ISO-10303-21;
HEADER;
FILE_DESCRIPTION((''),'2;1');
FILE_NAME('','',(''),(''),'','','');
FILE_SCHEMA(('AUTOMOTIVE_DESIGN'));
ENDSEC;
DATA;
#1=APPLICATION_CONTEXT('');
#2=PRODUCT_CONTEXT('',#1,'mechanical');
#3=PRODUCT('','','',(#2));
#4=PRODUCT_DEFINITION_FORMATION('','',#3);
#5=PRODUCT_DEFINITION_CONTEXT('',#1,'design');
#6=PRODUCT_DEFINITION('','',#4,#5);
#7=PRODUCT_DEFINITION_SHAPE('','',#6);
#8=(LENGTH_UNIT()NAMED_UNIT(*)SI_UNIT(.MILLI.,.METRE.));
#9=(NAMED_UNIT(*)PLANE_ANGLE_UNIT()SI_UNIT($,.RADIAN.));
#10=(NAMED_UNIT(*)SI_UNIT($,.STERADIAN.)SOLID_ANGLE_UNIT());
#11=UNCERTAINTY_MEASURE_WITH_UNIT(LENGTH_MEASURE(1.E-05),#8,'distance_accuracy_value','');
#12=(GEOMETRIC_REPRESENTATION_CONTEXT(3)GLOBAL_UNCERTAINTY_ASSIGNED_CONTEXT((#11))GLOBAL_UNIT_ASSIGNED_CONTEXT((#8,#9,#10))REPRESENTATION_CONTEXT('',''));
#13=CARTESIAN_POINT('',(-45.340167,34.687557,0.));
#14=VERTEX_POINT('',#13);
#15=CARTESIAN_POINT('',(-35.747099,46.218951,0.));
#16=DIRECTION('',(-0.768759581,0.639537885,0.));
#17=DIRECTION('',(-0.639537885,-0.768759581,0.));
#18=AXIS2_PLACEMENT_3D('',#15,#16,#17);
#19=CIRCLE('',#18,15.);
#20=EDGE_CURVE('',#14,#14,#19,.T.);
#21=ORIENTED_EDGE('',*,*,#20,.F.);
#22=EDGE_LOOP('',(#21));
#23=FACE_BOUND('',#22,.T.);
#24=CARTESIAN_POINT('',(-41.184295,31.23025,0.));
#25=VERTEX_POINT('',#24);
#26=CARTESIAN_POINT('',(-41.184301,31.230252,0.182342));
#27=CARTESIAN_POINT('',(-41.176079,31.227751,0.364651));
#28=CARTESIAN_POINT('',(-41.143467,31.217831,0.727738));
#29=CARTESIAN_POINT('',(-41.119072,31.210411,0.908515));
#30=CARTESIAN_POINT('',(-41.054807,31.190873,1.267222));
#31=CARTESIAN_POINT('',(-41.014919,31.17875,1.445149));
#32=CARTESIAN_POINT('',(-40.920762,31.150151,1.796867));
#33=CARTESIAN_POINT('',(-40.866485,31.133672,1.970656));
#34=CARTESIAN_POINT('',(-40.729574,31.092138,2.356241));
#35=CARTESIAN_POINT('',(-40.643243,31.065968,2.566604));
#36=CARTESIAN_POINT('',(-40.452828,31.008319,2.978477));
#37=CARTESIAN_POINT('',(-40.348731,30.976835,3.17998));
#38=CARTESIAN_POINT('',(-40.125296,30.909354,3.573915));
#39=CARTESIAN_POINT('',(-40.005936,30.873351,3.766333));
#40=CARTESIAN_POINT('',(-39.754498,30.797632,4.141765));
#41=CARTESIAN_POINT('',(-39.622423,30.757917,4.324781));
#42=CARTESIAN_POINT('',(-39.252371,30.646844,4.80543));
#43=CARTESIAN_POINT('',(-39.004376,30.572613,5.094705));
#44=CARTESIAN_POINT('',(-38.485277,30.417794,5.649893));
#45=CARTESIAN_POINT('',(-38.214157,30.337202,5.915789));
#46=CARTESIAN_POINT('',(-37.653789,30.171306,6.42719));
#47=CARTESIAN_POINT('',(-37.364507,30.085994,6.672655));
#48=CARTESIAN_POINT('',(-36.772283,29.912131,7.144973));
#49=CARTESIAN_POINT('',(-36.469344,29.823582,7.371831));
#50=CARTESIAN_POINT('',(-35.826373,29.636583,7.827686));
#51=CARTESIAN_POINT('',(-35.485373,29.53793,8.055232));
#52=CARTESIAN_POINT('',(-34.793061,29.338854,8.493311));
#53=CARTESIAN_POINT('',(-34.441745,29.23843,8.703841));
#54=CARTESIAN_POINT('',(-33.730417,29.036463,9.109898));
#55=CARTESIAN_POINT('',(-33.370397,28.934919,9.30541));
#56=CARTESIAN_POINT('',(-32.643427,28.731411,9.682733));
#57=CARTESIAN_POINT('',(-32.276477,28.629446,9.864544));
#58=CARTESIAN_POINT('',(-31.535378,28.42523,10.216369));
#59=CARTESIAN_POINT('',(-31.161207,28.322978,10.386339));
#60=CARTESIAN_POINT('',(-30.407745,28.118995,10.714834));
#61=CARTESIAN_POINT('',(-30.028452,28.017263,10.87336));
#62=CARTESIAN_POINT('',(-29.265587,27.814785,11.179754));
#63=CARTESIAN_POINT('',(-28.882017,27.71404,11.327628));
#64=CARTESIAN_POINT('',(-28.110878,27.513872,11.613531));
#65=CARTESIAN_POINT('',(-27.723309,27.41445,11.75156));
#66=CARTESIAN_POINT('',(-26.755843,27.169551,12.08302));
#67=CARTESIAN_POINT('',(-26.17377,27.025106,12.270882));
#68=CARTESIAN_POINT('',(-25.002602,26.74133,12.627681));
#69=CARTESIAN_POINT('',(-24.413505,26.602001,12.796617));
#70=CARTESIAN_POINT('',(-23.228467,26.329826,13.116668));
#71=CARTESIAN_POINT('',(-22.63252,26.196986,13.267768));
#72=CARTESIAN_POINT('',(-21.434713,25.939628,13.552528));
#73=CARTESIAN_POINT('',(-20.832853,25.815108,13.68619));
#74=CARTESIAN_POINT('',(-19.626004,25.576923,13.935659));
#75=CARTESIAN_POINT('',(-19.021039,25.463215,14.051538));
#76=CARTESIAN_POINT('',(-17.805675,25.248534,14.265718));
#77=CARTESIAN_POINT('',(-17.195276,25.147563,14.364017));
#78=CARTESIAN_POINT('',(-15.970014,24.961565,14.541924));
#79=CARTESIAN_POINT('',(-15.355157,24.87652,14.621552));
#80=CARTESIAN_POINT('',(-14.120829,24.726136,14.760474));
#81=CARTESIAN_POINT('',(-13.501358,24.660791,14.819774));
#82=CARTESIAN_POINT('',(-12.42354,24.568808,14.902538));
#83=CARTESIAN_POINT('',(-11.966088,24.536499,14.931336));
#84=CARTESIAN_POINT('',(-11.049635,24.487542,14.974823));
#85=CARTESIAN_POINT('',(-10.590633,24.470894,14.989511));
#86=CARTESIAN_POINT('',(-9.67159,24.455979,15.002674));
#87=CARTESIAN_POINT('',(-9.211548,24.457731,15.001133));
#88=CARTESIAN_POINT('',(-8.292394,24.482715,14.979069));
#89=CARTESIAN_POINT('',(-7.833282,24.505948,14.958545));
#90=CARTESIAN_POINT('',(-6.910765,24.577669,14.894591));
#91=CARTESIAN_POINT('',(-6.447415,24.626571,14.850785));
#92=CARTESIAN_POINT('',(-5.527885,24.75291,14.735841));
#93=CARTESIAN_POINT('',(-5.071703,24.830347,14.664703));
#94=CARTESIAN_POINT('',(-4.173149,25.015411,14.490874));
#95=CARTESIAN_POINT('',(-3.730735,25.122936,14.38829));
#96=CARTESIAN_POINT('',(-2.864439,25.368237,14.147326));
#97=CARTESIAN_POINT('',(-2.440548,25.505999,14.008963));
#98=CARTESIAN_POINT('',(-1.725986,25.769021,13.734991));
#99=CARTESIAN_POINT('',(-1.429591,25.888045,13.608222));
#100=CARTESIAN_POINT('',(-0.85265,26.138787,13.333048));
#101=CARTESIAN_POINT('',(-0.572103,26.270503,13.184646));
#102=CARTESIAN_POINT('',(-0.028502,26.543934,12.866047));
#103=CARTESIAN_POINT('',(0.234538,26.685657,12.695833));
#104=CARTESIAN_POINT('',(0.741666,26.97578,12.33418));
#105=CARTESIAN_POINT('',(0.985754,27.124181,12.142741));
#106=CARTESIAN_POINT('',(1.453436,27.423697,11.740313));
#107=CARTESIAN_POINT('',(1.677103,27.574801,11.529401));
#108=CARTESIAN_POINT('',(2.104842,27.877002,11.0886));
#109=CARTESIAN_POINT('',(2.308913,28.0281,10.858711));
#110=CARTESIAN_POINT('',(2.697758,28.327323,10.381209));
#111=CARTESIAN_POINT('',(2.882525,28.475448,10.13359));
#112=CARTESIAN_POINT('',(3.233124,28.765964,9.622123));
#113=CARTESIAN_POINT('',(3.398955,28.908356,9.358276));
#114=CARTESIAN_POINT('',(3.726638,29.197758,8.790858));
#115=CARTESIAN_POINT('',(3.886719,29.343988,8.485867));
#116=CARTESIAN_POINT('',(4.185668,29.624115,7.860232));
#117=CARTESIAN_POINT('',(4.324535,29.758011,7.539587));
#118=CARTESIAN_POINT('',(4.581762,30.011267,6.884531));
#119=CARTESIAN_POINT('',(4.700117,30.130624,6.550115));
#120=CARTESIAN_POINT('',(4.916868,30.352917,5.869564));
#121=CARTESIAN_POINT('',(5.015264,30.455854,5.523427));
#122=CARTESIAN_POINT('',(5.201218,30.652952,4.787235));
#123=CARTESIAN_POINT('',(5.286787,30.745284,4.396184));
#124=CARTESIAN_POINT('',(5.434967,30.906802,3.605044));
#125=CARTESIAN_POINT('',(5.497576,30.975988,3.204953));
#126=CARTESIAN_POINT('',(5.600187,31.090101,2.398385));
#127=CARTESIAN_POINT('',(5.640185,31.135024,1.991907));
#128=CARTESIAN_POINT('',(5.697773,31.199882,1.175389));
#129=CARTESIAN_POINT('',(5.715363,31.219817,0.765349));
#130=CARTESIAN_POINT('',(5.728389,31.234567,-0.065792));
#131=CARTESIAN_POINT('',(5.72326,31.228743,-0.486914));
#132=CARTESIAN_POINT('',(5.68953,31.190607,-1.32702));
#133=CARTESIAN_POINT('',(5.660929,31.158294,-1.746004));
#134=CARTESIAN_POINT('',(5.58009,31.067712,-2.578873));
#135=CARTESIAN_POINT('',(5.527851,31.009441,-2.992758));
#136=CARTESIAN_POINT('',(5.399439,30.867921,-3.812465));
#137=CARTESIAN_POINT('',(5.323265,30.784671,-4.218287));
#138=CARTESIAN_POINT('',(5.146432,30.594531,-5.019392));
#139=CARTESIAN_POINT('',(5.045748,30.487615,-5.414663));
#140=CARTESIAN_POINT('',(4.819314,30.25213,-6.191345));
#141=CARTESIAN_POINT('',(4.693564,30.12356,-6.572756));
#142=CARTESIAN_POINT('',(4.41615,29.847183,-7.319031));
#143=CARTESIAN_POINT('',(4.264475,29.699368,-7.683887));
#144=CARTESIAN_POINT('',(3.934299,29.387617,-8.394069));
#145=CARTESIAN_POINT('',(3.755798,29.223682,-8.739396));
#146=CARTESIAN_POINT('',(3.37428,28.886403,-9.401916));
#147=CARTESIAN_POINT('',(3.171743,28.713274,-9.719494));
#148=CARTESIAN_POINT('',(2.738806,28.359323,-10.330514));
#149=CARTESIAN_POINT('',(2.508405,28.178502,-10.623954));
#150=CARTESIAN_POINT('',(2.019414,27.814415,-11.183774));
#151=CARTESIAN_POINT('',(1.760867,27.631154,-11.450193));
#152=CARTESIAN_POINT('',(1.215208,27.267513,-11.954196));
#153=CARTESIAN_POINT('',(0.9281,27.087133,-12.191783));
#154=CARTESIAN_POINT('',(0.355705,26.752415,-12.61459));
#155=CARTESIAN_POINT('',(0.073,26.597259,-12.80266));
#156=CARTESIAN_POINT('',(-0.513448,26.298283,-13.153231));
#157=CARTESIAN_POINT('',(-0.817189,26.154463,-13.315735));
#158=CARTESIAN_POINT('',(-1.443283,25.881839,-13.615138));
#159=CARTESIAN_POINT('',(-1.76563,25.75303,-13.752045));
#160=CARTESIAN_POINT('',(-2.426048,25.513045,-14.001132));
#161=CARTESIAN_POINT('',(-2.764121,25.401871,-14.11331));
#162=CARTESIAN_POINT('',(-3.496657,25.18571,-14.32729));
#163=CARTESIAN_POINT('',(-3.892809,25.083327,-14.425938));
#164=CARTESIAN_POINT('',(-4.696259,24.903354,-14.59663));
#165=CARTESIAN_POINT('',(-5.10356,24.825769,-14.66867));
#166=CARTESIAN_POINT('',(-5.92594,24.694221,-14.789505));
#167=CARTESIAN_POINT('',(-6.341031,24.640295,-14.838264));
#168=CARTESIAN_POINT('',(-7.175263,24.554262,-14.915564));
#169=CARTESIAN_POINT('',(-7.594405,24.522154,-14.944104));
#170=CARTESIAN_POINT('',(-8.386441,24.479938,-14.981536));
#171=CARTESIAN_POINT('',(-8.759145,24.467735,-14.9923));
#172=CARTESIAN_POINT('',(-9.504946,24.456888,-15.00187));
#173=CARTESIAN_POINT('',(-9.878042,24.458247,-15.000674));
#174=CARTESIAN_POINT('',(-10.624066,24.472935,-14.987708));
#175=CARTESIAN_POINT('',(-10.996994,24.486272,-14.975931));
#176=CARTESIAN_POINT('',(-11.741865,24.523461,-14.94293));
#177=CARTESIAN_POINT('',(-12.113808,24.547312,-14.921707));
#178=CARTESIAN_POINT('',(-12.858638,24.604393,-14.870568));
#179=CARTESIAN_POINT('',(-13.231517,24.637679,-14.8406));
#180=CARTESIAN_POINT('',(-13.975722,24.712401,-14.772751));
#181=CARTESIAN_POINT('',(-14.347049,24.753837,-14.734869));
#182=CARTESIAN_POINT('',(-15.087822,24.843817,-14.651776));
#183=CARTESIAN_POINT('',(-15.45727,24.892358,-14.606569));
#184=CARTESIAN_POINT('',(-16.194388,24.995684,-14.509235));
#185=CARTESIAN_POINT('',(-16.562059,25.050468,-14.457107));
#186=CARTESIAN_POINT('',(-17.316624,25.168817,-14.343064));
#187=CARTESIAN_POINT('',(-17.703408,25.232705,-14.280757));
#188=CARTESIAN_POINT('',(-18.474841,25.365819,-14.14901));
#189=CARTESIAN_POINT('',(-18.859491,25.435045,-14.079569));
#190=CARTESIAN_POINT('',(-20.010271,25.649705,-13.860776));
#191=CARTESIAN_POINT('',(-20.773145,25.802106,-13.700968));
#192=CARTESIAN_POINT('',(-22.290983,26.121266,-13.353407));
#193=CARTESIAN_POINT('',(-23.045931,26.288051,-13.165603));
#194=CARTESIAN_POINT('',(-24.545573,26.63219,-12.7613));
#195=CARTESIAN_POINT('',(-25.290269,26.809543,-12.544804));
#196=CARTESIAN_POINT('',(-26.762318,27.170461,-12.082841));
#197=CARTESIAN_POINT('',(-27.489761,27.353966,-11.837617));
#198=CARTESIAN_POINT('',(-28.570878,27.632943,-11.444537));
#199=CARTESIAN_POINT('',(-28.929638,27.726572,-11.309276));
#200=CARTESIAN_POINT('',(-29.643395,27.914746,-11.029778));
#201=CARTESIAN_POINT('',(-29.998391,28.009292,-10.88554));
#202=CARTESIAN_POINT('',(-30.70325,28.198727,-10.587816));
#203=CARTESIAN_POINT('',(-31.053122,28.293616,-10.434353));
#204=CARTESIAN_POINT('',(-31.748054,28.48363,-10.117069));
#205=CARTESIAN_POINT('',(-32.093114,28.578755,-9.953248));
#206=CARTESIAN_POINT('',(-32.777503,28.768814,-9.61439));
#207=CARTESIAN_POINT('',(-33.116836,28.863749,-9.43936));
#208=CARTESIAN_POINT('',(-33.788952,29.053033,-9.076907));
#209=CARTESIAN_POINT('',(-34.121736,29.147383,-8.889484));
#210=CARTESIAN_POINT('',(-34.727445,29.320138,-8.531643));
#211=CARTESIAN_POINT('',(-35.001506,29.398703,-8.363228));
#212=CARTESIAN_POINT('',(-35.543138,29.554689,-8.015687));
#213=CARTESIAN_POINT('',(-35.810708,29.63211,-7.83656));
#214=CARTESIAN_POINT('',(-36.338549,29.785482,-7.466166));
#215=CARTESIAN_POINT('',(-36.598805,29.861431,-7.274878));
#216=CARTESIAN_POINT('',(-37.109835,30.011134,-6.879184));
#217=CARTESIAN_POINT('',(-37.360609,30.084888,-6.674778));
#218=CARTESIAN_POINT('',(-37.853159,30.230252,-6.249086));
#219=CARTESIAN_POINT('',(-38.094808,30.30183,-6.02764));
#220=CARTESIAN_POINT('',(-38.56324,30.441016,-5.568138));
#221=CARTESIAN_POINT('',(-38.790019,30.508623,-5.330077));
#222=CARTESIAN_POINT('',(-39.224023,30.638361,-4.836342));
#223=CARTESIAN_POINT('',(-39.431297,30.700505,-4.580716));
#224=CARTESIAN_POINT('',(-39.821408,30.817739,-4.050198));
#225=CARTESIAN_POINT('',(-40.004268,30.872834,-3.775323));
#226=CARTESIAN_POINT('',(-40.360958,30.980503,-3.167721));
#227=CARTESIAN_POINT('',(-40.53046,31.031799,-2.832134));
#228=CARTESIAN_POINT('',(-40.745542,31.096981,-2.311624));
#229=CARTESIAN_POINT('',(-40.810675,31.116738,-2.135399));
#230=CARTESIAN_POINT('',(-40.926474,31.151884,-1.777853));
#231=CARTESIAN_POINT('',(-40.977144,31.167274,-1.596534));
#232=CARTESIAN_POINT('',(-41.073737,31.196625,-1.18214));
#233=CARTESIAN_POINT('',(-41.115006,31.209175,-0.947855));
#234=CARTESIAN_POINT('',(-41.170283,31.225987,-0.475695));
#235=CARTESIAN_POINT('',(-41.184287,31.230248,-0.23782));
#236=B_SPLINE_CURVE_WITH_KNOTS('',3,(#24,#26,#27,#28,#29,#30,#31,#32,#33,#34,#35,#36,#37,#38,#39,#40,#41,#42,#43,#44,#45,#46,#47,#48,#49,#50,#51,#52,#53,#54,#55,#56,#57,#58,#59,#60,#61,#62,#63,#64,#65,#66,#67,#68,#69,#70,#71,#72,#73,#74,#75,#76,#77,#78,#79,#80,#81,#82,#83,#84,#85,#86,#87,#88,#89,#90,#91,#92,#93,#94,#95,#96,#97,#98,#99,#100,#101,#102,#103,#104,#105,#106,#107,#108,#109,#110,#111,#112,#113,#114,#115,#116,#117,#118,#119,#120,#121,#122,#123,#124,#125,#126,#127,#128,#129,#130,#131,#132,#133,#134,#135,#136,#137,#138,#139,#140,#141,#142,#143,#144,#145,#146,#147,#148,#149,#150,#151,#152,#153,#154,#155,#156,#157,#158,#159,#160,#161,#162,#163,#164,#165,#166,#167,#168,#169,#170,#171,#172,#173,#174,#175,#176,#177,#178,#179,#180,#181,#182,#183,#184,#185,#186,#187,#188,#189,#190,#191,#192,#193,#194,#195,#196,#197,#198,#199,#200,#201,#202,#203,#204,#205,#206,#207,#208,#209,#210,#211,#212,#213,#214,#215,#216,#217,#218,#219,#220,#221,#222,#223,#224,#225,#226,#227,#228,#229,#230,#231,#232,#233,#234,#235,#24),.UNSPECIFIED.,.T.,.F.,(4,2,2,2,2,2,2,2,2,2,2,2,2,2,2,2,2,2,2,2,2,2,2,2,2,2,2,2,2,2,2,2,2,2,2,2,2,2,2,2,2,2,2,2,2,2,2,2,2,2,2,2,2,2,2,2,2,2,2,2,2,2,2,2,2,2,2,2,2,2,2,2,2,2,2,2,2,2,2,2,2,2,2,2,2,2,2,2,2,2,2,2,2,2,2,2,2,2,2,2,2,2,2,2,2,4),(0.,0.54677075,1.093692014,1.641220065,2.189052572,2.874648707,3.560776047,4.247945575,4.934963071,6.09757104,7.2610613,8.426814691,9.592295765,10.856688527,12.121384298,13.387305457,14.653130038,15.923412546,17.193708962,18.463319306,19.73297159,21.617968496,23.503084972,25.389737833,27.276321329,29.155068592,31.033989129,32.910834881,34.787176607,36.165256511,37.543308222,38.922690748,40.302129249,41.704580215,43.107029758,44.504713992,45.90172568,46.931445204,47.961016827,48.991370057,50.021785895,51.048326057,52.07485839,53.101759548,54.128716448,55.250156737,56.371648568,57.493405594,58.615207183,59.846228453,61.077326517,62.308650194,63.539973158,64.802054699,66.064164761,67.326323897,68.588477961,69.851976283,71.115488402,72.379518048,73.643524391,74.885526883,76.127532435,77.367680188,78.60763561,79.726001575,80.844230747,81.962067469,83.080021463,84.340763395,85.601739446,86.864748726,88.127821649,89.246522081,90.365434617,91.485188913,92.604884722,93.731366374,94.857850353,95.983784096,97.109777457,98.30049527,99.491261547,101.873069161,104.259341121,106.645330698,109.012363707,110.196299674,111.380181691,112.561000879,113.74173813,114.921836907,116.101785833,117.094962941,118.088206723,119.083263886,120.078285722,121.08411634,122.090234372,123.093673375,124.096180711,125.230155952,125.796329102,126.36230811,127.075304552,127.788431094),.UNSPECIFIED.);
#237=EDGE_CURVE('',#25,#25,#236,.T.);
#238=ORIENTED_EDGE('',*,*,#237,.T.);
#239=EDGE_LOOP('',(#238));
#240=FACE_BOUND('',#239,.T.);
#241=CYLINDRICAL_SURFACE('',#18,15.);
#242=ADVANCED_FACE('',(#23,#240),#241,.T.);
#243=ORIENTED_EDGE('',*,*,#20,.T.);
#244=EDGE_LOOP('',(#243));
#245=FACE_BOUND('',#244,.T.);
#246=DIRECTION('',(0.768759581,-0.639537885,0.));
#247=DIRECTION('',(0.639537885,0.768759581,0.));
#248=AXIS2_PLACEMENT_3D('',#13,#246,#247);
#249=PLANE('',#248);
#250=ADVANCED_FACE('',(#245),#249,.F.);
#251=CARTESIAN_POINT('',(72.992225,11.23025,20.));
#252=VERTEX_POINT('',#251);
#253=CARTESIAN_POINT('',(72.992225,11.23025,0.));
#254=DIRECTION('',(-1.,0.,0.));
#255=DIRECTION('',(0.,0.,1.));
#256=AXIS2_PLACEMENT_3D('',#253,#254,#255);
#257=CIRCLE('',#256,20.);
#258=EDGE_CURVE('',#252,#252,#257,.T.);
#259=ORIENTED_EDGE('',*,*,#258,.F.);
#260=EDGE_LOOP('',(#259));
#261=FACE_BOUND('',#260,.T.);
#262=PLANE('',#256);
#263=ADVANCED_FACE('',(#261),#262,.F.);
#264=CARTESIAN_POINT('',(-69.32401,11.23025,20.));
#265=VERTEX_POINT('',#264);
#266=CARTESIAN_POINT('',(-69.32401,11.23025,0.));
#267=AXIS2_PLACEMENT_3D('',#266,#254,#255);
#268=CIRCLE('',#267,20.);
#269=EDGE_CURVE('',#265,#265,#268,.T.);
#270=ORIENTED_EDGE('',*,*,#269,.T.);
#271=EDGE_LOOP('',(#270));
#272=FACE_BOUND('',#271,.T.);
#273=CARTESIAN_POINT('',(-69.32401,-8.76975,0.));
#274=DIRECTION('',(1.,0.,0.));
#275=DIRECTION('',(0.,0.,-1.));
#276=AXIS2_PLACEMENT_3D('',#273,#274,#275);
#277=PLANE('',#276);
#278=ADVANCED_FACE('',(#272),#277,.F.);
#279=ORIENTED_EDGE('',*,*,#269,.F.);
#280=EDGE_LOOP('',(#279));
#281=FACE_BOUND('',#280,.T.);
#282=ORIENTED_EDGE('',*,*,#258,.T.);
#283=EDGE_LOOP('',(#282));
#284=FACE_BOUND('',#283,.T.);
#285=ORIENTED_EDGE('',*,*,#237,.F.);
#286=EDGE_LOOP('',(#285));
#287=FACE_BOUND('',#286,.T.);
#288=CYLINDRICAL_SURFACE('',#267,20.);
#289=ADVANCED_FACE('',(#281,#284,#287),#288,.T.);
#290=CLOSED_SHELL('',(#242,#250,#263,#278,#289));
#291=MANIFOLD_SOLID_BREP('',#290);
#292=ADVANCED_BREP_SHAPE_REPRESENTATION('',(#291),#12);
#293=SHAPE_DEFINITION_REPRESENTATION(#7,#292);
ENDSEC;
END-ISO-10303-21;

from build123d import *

# Parameters (mm, degrees)
SKETCH_2_W = 142.316235182
SKETCH_2_H = 20


with BuildPart() as part:
    # 草图2 → 旋转-薄壁1 (revolve)
    with BuildSketch(Plane(origin=(34.854392764, -17.173042845, 0), x_dir=(1, 0, 0), z_dir=(0, 0, 1)), mode=Mode.PRIVATE) as revolve_1_sk:
        with Locations((-33.020284957, 38.403293252)):
            Rectangle(SKETCH_2_W, SKETCH_2_H)
    revolve(revolve_1_sk.sketch.rotate(Axis((-69.324009784, 11.230250407, 0), (1, 0, 0)), 90), axis=Axis((-69.324009784, 11.230250407, 0), (1, 0, 0)))

    # 草图3 → 旋转-薄壁2 (revolve)
    with BuildSketch(Plane(origin=(10.637092158, -26.300007698, 0), x_dir=(1, 0, 0), z_dir=(0, 0, 1)), mode=Mode.PRIVATE) as revolve_2_sk:
        Polygon((-46.384190984, 72.518958842), (1.156884509, 32.969118261), (10.749952786, 44.500511977), (-36.791122707, 84.050352558), align=None)
    revolve(revolve_2_sk.sketch.rotate(Axis((-35.747098826, 46.218951144, 0), (0.7687595810801363, -0.639537885115099, 0)), 180), axis=Axis((-35.747098826, 46.218951144, 0), (0.7687595810801363, -0.639537885115099, 0)))


solid = part.part
